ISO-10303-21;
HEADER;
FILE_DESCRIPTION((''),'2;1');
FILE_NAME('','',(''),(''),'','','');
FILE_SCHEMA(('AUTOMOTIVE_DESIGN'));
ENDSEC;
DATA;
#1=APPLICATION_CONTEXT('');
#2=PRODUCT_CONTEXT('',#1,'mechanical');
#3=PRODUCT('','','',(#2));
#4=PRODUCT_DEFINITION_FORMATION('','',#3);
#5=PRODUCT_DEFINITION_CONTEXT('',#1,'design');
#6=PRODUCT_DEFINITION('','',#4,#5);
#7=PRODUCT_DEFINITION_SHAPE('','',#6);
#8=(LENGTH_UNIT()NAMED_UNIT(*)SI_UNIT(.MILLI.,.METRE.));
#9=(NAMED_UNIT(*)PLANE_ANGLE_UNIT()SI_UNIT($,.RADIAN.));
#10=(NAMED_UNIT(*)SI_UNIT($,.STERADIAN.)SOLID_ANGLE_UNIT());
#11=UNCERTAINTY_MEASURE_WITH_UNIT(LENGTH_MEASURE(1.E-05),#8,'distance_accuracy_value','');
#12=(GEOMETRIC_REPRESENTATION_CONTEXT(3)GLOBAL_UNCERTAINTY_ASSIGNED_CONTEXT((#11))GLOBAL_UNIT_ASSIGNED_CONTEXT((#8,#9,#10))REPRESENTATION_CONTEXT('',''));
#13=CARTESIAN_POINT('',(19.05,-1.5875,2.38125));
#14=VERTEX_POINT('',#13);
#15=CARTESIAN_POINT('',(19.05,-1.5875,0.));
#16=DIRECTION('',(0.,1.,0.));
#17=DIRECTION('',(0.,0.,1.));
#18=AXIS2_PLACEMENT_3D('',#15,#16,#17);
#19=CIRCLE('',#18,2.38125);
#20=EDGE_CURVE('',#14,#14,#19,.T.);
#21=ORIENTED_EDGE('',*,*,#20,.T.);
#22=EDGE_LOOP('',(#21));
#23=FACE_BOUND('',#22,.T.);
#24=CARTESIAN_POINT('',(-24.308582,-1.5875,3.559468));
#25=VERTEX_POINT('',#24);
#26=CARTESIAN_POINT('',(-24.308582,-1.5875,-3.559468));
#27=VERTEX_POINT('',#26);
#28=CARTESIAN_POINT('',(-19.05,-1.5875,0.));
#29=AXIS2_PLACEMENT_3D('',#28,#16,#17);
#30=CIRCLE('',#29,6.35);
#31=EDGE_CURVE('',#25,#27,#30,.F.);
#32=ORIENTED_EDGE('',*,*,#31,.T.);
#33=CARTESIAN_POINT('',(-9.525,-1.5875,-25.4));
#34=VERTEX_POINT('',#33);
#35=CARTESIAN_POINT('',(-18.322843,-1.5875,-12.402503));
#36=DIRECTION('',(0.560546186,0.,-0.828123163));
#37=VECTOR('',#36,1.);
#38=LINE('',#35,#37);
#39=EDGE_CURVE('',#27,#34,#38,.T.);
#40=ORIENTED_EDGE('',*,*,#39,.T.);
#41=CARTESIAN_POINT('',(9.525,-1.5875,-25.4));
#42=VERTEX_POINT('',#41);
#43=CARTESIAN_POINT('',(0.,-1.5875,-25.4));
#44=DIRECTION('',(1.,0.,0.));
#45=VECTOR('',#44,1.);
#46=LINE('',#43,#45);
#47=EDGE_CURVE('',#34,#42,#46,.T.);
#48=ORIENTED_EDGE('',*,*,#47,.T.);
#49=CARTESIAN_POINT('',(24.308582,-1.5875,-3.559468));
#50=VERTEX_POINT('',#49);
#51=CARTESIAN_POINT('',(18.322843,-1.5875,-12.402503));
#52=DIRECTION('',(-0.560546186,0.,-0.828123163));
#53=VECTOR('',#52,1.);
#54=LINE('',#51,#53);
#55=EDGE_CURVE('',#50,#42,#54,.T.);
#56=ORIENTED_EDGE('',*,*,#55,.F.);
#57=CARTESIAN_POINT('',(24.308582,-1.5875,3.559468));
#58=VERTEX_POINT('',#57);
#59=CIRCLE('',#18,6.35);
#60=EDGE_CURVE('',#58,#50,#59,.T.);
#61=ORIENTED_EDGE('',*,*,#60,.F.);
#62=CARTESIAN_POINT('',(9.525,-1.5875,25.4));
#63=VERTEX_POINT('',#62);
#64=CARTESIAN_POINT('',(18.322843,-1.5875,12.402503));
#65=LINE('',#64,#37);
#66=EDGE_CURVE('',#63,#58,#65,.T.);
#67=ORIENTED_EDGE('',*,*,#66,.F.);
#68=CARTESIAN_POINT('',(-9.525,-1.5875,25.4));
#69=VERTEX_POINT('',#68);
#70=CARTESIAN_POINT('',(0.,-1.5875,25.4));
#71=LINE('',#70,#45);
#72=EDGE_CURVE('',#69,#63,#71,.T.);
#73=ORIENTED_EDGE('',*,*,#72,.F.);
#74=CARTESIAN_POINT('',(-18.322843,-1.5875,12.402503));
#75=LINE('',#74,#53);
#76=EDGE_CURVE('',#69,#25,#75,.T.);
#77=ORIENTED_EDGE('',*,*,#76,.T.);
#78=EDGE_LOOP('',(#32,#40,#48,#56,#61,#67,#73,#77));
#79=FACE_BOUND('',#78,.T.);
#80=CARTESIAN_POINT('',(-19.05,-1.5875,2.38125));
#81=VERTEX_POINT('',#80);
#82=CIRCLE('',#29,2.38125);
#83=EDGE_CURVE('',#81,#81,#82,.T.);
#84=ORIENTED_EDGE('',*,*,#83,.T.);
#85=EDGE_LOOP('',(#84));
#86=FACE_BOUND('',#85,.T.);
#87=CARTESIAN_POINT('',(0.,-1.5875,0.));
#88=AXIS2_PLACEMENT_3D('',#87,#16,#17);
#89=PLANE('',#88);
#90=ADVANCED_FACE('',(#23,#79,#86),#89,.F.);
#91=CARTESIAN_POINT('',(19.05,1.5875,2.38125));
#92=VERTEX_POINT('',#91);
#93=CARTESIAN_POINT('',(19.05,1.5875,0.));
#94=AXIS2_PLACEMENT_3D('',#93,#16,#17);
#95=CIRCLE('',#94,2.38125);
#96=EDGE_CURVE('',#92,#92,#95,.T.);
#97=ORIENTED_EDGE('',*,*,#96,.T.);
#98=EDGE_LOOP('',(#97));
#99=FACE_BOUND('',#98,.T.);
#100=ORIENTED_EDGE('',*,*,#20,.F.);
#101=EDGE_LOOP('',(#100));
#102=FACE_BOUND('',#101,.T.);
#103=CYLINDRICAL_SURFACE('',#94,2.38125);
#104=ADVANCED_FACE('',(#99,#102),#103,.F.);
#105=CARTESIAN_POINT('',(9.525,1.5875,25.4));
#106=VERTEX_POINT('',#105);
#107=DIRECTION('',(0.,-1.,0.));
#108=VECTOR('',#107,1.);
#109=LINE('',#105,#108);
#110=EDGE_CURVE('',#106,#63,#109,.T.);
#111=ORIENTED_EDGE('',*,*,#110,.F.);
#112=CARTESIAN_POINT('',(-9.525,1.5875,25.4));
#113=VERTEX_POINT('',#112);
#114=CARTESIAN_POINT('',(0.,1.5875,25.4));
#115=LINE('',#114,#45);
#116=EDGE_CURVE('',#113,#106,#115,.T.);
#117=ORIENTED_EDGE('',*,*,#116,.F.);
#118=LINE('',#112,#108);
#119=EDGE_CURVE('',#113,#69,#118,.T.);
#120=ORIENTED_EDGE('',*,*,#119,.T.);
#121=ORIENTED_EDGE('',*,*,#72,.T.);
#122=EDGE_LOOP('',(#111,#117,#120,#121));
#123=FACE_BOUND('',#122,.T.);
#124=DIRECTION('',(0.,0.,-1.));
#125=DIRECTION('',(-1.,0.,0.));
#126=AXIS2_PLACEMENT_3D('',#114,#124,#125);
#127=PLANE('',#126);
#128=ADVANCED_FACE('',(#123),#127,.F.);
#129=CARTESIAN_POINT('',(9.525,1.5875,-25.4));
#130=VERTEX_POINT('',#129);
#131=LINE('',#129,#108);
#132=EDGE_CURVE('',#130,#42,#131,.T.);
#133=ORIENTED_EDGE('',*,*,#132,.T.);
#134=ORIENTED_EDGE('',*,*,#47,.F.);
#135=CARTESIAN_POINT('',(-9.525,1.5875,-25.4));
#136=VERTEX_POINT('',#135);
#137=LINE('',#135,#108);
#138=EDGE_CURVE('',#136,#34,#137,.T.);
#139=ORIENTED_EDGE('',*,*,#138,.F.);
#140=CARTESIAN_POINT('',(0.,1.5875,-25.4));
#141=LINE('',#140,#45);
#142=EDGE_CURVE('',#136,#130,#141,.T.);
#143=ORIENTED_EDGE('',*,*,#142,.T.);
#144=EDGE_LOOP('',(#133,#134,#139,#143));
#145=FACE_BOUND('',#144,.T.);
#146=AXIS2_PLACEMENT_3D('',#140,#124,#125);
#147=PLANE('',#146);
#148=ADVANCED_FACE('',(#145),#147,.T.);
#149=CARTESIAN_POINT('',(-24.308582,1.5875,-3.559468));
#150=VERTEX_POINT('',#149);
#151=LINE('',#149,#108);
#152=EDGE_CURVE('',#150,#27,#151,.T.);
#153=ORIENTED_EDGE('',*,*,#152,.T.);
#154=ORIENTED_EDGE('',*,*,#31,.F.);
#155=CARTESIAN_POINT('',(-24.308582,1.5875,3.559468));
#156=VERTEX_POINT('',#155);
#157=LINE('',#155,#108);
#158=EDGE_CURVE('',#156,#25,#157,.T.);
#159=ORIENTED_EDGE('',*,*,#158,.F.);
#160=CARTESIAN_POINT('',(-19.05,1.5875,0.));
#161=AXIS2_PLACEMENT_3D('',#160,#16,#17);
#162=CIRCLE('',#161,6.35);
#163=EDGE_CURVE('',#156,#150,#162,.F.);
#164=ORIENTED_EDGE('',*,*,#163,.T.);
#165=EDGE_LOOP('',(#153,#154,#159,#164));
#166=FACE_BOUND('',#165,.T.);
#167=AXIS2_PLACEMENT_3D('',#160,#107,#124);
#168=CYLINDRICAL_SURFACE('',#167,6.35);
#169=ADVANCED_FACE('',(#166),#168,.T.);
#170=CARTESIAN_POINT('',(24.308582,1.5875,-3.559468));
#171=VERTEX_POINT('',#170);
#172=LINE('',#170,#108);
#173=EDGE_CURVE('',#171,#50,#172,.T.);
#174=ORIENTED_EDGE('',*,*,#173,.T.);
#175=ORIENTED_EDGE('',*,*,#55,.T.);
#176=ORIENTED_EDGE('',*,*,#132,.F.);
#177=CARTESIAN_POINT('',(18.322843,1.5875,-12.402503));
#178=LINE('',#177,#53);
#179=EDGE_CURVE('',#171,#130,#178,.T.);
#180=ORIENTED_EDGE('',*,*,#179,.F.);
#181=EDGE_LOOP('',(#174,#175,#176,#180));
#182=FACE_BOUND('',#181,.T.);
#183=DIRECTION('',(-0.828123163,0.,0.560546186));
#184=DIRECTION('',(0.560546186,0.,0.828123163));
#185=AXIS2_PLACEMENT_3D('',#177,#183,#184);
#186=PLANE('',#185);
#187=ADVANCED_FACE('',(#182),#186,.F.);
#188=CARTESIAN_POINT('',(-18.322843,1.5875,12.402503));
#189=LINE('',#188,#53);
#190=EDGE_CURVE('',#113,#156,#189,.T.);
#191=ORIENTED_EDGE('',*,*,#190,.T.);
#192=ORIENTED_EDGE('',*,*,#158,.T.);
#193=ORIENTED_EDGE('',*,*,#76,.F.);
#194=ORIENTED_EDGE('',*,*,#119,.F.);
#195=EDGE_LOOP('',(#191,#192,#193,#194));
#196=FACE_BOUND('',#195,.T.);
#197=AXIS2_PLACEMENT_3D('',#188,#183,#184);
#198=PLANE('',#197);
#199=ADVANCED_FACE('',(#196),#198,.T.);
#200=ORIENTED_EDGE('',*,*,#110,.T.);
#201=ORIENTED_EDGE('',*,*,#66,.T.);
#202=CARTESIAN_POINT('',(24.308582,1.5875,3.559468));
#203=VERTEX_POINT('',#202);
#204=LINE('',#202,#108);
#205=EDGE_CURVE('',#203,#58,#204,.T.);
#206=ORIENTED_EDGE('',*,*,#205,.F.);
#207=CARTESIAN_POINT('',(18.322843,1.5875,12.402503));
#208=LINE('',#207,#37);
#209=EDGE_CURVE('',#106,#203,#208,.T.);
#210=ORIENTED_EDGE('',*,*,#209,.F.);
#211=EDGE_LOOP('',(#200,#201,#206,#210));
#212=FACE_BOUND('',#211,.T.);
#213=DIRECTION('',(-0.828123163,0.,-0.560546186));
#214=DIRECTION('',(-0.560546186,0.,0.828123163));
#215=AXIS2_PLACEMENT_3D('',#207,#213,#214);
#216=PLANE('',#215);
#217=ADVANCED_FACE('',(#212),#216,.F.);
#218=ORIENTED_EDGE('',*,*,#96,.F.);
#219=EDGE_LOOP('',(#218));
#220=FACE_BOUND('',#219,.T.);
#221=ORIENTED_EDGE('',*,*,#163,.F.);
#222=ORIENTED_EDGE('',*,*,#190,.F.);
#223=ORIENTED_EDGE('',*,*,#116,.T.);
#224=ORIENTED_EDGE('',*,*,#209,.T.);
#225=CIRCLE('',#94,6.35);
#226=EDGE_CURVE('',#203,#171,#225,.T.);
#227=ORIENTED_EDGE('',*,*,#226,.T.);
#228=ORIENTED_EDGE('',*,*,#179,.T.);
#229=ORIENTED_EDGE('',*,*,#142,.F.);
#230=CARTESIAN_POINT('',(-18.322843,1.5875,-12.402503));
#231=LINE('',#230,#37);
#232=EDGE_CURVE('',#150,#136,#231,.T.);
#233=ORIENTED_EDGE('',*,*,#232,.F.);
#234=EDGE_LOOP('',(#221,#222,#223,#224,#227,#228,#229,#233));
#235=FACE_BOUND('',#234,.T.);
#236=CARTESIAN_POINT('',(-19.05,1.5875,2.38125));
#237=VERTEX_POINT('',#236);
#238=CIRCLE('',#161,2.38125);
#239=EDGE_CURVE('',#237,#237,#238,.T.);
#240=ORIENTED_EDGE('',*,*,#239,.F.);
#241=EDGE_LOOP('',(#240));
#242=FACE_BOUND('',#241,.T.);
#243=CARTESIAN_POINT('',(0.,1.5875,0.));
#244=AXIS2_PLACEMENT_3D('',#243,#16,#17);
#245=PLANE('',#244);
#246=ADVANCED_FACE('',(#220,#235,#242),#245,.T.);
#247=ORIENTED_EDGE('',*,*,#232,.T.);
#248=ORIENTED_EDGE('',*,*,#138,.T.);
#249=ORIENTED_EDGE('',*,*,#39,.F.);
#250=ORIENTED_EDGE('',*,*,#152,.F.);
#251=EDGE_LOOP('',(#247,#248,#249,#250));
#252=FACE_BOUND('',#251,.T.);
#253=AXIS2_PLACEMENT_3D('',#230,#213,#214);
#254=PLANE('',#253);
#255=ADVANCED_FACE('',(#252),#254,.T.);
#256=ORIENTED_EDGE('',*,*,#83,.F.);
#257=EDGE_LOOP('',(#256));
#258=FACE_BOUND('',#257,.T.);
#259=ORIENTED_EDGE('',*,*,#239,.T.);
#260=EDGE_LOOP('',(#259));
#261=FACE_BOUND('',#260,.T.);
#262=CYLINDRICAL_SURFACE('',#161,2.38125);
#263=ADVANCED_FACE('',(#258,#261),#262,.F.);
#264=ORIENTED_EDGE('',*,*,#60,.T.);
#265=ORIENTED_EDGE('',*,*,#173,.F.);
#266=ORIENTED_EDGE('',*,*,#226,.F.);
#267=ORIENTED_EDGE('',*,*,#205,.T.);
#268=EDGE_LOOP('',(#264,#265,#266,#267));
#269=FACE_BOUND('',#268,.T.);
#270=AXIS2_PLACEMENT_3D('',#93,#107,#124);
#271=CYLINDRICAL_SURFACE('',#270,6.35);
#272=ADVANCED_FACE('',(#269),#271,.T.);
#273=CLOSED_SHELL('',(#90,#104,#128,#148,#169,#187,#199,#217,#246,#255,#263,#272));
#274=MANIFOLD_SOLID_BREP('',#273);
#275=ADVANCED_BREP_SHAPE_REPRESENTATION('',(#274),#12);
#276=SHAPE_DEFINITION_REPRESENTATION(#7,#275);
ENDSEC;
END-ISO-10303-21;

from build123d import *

# Parameters (mm, degrees)
BOSS_EXTRUDE1_DEPTH            = 1.5875
F_3_16_0_1875_DIAMETER_HOLE1_D = 4.7625


with BuildPart() as part:
    # Sketch1 → Boss-Extrude1 (new, symmetric)
    with BuildSketch(Plane(origin=(0, 0, 0), x_dir=(1, 0, 0), z_dir=(0, 1, 0))):
        with BuildLine():
            Line((24.308582085, 3.559468282), (9.525, 25.4))
            Line((9.525, 25.4), (-9.525, 25.4))
            Line((-9.525, 25.4), (-24.308582085, 3.559468282))
            ThreePointArc((-24.308582085, 3.559468282), (-25.4, 0), (-24.308582085, -3.559468282))
            Line((-24.308582085, -3.559468282), (-9.525, -25.4))
            Line((-9.525, -25.4), (9.525, -25.4))
            Line((9.525, -25.4), (24.308582085, -3.559468282))
            ThreePointArc((24.308582085, -3.559468282), (25.4, 0), (24.308582085, 3.559468282))
        make_face()
    extrude(amount=BOSS_EXTRUDE1_DEPTH, both=True)

    # 3/16 (0.1875) Diameter Hole1 (through all)
    with Locations(Plane(origin=(19.05, 1.5875, 0), x_dir=(0, 0, 1), z_dir=(0, 1, 0))):
        with Locations((0, 0), (0, -38.1)):
            Hole(F_3_16_0_1875_DIAMETER_HOLE1_D / 2)


solid = part.part
